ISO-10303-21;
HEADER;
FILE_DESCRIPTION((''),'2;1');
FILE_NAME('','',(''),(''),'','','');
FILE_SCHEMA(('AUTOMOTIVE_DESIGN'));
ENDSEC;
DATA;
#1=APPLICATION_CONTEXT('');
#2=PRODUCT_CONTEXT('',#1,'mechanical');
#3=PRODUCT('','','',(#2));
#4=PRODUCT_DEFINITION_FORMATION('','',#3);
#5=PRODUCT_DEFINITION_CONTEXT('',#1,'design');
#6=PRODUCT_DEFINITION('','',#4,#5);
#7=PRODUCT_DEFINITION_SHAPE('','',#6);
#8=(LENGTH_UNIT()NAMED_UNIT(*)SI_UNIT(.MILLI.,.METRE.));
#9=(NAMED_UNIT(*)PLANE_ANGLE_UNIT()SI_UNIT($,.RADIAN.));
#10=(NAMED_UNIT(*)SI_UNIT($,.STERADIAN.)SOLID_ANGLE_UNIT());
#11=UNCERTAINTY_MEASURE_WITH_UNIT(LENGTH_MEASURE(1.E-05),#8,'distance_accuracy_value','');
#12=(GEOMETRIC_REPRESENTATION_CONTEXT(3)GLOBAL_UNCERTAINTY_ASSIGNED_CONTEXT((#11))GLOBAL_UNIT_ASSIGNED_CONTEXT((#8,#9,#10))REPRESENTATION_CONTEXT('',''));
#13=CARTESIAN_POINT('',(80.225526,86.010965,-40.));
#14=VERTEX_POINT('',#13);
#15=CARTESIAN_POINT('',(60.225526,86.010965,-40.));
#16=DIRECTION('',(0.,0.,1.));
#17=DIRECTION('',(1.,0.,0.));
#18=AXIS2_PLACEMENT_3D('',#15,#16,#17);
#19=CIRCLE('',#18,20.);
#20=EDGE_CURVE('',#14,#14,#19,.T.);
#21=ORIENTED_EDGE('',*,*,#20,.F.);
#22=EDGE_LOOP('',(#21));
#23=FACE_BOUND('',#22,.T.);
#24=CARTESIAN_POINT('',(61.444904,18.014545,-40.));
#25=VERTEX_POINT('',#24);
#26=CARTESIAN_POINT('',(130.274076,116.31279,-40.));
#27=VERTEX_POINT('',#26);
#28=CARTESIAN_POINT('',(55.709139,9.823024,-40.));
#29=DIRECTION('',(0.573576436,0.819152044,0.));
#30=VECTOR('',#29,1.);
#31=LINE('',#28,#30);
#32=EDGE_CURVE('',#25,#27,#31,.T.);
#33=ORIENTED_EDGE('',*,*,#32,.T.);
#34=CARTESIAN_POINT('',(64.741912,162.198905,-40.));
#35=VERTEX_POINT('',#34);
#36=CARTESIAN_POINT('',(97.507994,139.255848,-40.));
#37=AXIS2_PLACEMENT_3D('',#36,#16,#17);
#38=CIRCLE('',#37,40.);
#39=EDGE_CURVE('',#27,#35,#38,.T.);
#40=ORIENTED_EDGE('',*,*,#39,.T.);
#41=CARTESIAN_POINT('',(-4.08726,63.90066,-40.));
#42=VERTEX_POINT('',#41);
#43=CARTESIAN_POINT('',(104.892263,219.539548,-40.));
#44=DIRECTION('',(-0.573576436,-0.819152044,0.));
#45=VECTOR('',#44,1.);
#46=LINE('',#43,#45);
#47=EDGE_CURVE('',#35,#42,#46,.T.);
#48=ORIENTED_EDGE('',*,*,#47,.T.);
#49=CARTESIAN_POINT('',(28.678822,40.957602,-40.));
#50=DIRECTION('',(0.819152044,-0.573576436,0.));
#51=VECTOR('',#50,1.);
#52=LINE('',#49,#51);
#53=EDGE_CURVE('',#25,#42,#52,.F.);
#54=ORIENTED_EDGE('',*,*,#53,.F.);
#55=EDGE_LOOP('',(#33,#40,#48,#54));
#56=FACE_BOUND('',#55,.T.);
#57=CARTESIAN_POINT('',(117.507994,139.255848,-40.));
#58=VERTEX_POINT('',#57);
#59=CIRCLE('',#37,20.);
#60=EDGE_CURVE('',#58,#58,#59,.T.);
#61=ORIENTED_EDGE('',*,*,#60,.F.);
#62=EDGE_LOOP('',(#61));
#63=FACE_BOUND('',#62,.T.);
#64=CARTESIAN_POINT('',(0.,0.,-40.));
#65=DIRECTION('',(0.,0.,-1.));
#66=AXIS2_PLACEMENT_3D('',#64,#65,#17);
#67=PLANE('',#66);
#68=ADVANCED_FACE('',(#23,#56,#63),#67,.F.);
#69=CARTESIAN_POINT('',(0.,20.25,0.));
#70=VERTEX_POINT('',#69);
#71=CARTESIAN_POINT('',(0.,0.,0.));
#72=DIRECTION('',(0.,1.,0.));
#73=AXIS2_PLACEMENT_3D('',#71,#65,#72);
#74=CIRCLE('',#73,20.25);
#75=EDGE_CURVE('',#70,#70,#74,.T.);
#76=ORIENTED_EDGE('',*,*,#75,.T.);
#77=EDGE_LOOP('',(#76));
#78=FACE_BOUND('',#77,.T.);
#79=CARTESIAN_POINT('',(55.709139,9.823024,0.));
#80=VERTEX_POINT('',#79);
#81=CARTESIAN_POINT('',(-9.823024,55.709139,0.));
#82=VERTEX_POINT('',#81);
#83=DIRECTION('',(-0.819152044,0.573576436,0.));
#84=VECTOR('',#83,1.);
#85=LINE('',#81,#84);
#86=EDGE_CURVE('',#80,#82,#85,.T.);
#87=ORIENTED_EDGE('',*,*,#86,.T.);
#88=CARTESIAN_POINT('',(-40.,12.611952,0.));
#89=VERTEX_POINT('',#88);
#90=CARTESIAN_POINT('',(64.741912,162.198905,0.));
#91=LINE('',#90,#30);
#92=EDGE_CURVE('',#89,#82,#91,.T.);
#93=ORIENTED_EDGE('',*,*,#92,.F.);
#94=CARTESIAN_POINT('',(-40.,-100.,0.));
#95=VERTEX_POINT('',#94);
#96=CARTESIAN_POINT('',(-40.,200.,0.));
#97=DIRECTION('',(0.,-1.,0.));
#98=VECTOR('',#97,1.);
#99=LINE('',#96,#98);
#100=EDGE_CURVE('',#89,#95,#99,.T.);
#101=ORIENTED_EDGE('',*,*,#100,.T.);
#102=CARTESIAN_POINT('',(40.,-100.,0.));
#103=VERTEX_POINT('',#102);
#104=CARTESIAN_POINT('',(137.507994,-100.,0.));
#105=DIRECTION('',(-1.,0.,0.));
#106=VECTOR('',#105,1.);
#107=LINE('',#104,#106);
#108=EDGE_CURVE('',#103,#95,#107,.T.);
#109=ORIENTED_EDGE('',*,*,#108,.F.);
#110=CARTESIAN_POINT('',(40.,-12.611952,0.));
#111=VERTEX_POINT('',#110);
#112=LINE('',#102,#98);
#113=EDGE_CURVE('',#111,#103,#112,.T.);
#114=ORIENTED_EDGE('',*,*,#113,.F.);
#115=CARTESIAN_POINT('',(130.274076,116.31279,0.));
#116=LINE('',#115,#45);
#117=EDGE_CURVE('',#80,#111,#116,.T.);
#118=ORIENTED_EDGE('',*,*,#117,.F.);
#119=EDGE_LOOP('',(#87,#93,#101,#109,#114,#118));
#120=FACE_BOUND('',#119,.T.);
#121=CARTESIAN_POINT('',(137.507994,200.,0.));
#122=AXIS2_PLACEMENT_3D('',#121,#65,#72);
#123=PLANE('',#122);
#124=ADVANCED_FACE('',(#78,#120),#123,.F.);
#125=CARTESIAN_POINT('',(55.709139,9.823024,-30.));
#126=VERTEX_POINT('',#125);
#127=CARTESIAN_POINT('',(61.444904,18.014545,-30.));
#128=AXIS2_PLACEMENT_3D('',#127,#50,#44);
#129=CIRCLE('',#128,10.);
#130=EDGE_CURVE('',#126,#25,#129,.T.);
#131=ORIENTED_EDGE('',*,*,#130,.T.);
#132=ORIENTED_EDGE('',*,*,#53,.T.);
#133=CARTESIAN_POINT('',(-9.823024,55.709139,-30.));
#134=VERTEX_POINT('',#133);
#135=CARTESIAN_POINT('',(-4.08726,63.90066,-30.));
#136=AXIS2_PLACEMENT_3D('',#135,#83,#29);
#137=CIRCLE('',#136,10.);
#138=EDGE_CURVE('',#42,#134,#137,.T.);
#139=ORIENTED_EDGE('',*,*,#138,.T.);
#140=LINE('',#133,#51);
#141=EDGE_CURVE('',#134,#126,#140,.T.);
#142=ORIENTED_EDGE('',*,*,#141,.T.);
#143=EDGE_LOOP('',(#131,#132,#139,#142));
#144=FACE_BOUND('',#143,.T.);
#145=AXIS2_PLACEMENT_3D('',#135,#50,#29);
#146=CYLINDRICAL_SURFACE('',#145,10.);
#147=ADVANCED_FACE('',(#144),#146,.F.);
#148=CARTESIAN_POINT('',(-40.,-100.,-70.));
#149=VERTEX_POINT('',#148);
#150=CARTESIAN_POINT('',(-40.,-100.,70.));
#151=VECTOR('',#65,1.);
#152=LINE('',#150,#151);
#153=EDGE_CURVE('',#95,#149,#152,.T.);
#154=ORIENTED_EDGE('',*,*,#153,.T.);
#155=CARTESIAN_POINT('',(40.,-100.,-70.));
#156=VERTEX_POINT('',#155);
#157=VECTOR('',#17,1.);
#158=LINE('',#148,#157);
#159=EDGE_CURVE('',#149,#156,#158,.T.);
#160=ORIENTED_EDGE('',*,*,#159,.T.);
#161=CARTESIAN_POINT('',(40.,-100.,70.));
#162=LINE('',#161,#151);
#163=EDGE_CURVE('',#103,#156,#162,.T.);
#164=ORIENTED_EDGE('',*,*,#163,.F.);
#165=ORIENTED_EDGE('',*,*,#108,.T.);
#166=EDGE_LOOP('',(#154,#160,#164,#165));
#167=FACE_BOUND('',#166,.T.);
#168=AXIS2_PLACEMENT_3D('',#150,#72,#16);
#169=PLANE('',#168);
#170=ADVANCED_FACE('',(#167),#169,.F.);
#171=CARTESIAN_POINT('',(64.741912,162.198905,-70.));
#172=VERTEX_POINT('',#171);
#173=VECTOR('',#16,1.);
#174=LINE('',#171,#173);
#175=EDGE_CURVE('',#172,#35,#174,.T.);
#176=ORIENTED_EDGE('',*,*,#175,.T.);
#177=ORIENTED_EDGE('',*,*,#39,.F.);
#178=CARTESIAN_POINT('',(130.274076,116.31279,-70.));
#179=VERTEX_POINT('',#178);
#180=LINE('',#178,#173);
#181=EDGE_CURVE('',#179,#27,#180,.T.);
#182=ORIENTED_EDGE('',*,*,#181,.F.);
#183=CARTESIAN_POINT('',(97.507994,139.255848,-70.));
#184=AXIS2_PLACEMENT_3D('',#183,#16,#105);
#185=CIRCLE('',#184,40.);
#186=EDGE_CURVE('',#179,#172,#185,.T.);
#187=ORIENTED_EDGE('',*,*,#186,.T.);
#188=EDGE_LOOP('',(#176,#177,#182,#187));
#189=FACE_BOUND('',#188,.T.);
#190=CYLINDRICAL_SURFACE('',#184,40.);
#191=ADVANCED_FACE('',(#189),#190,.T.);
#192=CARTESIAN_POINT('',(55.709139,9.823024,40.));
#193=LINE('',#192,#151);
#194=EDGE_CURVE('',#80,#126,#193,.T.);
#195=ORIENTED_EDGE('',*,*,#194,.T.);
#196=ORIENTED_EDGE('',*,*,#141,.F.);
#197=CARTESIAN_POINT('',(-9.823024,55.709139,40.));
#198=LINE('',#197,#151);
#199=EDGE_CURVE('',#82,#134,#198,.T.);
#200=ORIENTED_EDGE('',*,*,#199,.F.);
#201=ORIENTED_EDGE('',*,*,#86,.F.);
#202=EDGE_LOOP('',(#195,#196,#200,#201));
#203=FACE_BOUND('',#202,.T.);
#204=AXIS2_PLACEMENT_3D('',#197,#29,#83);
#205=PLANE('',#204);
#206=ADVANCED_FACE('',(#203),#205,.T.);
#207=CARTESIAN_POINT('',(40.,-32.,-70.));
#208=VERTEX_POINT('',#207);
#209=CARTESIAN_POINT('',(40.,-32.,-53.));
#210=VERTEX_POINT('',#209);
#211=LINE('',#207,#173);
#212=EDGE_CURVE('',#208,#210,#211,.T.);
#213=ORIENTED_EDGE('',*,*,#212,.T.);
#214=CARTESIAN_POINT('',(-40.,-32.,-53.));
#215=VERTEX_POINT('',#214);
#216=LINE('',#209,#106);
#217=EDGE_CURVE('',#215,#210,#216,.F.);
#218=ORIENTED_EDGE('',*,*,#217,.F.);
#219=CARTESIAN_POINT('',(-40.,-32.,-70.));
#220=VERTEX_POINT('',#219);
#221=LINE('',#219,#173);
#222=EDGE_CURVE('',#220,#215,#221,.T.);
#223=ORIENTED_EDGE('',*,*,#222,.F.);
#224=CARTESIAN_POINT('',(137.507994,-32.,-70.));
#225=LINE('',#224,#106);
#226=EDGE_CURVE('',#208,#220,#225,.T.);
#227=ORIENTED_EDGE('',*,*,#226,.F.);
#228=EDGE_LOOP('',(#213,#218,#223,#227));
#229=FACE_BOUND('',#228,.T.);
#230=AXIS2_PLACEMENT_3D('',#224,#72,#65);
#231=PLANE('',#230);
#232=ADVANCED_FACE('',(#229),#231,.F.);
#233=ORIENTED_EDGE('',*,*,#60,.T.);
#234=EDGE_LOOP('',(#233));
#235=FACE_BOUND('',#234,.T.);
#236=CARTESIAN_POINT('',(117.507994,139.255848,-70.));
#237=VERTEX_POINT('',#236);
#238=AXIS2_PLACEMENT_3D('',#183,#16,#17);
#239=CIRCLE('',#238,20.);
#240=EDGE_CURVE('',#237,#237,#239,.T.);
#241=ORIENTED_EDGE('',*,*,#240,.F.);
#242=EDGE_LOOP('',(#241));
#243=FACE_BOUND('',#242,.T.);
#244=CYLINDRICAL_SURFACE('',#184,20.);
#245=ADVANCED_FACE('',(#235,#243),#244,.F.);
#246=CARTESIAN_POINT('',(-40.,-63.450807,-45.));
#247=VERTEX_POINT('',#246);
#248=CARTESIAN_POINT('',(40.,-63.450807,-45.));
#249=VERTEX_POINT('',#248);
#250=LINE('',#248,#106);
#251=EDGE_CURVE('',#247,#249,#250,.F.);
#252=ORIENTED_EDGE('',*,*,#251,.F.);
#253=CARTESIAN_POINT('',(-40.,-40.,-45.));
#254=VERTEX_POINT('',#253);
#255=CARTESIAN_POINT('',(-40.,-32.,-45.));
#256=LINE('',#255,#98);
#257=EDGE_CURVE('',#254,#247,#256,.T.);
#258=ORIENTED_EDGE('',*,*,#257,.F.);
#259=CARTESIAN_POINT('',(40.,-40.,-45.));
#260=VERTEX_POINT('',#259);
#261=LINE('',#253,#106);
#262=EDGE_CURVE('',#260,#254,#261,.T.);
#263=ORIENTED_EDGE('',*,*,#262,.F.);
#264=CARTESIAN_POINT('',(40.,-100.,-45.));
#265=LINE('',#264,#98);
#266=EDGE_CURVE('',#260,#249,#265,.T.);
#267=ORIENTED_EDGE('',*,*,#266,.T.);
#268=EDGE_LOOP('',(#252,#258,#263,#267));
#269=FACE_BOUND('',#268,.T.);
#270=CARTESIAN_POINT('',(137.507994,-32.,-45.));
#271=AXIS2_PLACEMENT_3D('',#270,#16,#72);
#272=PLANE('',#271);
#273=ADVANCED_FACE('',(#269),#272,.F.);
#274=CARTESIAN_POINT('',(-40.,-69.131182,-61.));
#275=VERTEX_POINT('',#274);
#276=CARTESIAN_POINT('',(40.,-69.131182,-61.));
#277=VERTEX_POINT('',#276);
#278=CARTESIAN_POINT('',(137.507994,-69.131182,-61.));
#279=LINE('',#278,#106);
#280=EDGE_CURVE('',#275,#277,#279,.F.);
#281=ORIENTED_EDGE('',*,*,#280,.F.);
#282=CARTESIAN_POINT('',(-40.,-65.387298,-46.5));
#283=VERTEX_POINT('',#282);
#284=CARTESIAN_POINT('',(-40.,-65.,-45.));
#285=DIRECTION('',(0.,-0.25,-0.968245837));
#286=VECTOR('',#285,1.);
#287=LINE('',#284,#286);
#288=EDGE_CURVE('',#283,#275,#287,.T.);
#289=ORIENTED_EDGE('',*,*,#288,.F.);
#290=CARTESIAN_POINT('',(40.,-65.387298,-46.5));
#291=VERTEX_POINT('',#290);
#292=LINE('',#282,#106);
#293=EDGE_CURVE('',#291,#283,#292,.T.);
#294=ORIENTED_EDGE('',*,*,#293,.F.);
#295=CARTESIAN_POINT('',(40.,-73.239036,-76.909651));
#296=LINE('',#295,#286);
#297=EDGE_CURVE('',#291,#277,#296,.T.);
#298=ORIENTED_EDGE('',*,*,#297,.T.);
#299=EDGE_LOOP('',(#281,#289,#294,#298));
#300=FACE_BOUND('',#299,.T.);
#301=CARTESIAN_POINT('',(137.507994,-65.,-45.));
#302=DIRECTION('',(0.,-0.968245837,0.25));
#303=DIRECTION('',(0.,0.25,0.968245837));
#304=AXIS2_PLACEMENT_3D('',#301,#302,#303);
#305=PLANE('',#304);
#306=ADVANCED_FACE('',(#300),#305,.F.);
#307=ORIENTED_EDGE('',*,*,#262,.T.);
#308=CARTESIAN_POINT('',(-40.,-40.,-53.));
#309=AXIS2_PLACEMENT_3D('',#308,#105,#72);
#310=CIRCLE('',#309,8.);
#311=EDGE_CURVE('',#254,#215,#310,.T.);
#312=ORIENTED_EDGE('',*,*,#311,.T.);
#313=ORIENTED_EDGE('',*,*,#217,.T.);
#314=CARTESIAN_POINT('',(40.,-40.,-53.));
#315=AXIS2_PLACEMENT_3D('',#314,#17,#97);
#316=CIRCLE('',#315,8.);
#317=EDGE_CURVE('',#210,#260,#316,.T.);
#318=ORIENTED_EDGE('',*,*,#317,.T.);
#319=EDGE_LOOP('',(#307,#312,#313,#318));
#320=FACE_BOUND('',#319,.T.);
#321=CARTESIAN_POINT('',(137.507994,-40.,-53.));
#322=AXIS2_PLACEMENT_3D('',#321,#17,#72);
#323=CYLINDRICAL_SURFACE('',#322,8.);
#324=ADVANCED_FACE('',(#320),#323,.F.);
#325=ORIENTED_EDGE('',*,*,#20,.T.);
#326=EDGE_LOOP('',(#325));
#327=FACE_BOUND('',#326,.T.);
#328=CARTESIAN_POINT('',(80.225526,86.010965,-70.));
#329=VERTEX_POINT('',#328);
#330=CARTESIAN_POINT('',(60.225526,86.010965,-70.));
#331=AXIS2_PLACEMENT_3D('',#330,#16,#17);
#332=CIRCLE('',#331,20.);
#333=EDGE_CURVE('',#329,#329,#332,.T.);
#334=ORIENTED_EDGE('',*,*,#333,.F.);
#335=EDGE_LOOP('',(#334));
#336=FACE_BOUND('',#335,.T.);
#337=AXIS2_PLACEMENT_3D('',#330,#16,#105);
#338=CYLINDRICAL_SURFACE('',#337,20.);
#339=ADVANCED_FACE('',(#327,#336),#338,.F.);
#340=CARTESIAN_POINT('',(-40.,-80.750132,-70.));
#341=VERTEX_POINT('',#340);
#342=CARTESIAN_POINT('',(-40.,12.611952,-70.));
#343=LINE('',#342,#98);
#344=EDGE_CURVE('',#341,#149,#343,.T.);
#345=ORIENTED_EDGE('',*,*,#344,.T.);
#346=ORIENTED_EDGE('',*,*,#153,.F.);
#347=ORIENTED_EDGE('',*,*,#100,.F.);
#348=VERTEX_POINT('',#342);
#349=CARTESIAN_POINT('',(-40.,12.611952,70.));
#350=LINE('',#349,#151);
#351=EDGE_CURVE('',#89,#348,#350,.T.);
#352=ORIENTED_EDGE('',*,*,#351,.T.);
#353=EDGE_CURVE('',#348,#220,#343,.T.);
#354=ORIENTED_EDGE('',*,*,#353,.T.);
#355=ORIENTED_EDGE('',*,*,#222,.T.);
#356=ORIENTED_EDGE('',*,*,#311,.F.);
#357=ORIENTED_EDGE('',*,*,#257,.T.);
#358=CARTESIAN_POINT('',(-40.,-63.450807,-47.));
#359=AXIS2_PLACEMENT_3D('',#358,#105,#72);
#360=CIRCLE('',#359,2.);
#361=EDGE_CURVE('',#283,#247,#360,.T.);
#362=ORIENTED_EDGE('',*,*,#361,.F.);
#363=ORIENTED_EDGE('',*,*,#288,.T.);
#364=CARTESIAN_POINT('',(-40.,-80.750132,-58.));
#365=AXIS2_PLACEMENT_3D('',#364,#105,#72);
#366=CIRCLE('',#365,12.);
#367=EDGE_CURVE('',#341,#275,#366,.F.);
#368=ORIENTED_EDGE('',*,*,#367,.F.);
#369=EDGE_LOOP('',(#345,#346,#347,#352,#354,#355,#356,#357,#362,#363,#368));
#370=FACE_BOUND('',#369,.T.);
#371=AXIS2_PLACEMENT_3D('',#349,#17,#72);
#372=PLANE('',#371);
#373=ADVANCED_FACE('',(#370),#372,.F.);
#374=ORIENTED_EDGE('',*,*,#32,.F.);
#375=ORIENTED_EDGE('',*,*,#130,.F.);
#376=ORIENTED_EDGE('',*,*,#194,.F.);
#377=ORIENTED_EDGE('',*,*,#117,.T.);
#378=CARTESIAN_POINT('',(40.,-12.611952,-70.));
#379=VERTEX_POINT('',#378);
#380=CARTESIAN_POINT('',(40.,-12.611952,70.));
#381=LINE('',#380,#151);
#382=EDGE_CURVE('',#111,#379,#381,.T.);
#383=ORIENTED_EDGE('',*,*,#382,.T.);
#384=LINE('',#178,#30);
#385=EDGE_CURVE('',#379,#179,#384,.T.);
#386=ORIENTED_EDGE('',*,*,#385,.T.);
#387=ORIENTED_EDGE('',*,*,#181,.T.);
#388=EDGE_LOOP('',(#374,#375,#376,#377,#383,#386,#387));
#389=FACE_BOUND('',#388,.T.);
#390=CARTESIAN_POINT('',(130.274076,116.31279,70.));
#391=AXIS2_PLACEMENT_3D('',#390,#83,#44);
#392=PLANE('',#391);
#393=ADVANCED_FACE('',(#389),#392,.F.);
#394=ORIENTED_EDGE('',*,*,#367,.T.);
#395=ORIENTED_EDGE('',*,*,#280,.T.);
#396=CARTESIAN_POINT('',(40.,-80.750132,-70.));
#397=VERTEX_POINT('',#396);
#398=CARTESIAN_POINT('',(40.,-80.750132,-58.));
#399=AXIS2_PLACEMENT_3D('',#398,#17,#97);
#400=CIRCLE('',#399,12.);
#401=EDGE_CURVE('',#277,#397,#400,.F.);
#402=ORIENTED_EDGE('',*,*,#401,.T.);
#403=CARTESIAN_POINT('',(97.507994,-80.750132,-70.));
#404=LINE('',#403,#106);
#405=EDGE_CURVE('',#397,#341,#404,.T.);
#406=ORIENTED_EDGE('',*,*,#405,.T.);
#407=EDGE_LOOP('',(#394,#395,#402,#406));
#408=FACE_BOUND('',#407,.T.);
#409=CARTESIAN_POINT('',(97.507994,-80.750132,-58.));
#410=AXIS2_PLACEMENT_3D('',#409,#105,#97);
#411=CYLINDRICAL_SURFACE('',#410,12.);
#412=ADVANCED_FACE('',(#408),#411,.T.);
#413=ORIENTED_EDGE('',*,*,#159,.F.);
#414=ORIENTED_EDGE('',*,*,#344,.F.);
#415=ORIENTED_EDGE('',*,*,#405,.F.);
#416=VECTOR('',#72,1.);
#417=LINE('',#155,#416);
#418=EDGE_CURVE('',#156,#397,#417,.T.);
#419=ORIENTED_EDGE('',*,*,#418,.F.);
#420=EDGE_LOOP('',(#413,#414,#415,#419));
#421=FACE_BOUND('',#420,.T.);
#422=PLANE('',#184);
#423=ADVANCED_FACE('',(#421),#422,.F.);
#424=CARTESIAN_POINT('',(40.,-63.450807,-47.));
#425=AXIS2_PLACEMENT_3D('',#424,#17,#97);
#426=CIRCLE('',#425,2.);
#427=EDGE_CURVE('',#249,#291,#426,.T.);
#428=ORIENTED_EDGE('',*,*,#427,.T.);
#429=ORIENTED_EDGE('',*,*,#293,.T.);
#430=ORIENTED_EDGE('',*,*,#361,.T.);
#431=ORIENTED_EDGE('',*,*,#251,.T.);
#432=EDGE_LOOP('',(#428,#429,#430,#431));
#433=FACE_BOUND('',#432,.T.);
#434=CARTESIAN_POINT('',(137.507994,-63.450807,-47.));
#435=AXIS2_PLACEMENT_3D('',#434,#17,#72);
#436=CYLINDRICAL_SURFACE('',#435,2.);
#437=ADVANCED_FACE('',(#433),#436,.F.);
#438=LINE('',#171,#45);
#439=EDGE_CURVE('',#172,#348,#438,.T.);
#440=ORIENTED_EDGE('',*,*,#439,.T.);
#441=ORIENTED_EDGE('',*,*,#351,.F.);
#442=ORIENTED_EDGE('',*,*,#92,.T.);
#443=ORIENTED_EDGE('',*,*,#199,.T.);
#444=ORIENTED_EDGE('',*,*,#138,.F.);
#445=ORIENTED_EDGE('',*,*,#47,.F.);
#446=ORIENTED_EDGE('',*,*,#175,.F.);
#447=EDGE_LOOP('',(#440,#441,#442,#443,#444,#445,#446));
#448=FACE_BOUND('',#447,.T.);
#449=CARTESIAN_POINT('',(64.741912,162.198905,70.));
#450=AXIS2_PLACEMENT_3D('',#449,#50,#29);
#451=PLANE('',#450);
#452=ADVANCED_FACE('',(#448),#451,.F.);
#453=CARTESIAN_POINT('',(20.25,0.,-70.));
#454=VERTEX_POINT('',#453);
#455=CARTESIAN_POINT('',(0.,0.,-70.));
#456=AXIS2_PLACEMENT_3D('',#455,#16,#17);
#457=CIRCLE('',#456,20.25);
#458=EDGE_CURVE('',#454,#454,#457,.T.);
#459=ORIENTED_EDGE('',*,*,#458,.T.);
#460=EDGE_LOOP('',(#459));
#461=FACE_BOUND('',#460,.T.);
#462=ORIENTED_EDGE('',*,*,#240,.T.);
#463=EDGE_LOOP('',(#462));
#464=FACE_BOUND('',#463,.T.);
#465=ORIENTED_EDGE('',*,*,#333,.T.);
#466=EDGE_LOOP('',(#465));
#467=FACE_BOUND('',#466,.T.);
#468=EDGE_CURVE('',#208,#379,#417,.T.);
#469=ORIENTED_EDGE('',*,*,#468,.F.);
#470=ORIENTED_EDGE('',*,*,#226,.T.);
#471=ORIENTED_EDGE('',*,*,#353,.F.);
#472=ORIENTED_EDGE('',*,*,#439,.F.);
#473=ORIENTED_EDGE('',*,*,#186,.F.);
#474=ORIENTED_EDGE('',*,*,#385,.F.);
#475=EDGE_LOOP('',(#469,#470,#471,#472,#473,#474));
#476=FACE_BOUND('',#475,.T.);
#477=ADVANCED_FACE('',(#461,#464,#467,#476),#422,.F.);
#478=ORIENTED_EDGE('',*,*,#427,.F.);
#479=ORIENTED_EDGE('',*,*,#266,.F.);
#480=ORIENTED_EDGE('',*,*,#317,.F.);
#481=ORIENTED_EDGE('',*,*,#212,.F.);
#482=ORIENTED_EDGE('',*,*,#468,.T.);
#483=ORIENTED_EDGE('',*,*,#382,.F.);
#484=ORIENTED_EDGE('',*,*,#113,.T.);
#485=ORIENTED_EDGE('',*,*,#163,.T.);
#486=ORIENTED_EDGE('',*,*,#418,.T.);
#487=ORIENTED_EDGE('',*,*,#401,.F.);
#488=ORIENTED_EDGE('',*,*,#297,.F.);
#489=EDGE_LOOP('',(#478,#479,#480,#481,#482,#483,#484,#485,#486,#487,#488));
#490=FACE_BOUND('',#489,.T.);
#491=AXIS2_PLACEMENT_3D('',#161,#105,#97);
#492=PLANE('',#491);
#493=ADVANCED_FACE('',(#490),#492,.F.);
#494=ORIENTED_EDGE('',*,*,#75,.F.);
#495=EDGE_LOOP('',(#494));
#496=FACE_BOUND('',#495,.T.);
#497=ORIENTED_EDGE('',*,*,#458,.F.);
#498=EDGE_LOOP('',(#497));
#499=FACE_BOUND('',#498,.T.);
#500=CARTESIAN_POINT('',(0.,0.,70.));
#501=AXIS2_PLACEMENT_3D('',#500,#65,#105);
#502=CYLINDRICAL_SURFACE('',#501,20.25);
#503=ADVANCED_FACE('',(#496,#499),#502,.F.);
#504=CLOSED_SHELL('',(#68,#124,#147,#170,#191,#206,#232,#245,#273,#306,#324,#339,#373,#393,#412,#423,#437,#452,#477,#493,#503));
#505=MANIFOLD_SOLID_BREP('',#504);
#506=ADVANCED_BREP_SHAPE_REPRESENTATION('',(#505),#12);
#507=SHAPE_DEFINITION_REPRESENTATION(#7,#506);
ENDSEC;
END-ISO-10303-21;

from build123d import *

# Parameters (mm, degrees)
SKETCH_1_R          = 20.25
SKETCH_1_R_2        = 20
EXTRUDE_1_DEPTH     = 70
CUT_EXTRUDE_1_DEPTH = 40
CUT_EXTRUDE_2_DEPTH = 262.804787716
FILLET_1_R          = 12
FILLET_2_R          = 2
FILLET_3_R          = 8
FILLET_4_R          = 10
SKETCH_5_W          = 70
SKETCH_5_H          = 300
CUT_EXTRUDE_4_DEPTH = 262.804787716


with BuildPart() as part:
    # 草图1 → 凸台-拉伸1 (new body)
    with BuildSketch(Plane.XY):
        with BuildLine():
            Line((64.741912408, 162.198904983), (-40, 12.611951555))
            Line((-40, 12.611951555), (-40, -100))
            Line((-40, -100), (40, -100))
            Line((40, -100), (40, -12.611951555))
            Line((40, -12.611951555), (130.274075951, 116.312790075))
            ThreePointArc((130.274075951, 116.312790075), (120.451051634, 172.021929301), (64.741912408, 162.198904983))
        make_face()
        Circle(SKETCH_1_R, mode=Mode.SUBTRACT)
        with Locations((97.50799418, 139.255847529)):
            Circle(SKETCH_1_R_2, mode=Mode.SUBTRACT)
        with Locations((60.225525817, 86.01096465)):
            Circle(SKETCH_1_R_2, mode=Mode.SUBTRACT)
    extrude(amount=EXTRUDE_1_DEPTH)

    # 草图2 → 切除-拉伸1 (cut)
    with BuildSketch(Plane.XY):
        Polygon((-9.823024318, 55.709139226), (55.709139226, 9.823024318), (170.424426496, 173.653433175), (104.892262953, 219.539548083), align=None)
    extrude(amount=CUT_EXTRUDE_1_DEPTH, mode=Mode.SUBTRACT)

    # 草图3 → 切除-拉伸2 (cut, through all)
    with BuildSketch(Plane.ZY.offset(40)):
        Polygon((70, -32), (45, -32), (45, -65), (70, -71.454972244), align=None)
    extrude(amount=-CUT_EXTRUDE_2_DEPTH, mode=Mode.SUBTRACT)

    # 圆角1
    fillet_1_edges = [part.edges().sort_by_distance(p)[0] for p in [
        (0, -71.454972244, 70),
    ]]
    fillet(fillet_1_edges, radius=FILLET_1_R)

    # 圆角2
    fillet_2_edges = [part.edges().sort_by_distance(p)[0] for p in [
        (0, -65, 45),
    ]]
    fillet(fillet_2_edges, radius=FILLET_2_R)

    # 圆角3
    fillet_3_edges = [part.edges().sort_by_distance(p)[0] for p in [
        (0, -32, 45),
    ]]
    fillet(fillet_3_edges, radius=FILLET_3_R)

    # 圆角4
    fillet_4_edges = [part.edges().sort_by_distance(p)[0] for p in [
        (22.943057454, 32.766081772, 40),
    ]]
    fillet(fillet_4_edges, radius=FILLET_4_R)

    # 镜向1: part across plane


with BuildPart() as part_1:
    add(part.part)
    add(part.part.mirror(Plane(origin=(97.50799418, 139.255847529, 0), x_dir=(1, 0, 0), z_dir=(0, 0, -1))))

    # 草图5 → 切除-拉伸4 (cut, through all)
    with BuildSketch(Plane.ZY.offset(40)):
        with Locations((35, 50)):
            Rectangle(SKETCH_5_W, SKETCH_5_H)
    extrude(amount=-CUT_EXTRUDE_4_DEPTH, mode=Mode.SUBTRACT)


solid = part_1.part
